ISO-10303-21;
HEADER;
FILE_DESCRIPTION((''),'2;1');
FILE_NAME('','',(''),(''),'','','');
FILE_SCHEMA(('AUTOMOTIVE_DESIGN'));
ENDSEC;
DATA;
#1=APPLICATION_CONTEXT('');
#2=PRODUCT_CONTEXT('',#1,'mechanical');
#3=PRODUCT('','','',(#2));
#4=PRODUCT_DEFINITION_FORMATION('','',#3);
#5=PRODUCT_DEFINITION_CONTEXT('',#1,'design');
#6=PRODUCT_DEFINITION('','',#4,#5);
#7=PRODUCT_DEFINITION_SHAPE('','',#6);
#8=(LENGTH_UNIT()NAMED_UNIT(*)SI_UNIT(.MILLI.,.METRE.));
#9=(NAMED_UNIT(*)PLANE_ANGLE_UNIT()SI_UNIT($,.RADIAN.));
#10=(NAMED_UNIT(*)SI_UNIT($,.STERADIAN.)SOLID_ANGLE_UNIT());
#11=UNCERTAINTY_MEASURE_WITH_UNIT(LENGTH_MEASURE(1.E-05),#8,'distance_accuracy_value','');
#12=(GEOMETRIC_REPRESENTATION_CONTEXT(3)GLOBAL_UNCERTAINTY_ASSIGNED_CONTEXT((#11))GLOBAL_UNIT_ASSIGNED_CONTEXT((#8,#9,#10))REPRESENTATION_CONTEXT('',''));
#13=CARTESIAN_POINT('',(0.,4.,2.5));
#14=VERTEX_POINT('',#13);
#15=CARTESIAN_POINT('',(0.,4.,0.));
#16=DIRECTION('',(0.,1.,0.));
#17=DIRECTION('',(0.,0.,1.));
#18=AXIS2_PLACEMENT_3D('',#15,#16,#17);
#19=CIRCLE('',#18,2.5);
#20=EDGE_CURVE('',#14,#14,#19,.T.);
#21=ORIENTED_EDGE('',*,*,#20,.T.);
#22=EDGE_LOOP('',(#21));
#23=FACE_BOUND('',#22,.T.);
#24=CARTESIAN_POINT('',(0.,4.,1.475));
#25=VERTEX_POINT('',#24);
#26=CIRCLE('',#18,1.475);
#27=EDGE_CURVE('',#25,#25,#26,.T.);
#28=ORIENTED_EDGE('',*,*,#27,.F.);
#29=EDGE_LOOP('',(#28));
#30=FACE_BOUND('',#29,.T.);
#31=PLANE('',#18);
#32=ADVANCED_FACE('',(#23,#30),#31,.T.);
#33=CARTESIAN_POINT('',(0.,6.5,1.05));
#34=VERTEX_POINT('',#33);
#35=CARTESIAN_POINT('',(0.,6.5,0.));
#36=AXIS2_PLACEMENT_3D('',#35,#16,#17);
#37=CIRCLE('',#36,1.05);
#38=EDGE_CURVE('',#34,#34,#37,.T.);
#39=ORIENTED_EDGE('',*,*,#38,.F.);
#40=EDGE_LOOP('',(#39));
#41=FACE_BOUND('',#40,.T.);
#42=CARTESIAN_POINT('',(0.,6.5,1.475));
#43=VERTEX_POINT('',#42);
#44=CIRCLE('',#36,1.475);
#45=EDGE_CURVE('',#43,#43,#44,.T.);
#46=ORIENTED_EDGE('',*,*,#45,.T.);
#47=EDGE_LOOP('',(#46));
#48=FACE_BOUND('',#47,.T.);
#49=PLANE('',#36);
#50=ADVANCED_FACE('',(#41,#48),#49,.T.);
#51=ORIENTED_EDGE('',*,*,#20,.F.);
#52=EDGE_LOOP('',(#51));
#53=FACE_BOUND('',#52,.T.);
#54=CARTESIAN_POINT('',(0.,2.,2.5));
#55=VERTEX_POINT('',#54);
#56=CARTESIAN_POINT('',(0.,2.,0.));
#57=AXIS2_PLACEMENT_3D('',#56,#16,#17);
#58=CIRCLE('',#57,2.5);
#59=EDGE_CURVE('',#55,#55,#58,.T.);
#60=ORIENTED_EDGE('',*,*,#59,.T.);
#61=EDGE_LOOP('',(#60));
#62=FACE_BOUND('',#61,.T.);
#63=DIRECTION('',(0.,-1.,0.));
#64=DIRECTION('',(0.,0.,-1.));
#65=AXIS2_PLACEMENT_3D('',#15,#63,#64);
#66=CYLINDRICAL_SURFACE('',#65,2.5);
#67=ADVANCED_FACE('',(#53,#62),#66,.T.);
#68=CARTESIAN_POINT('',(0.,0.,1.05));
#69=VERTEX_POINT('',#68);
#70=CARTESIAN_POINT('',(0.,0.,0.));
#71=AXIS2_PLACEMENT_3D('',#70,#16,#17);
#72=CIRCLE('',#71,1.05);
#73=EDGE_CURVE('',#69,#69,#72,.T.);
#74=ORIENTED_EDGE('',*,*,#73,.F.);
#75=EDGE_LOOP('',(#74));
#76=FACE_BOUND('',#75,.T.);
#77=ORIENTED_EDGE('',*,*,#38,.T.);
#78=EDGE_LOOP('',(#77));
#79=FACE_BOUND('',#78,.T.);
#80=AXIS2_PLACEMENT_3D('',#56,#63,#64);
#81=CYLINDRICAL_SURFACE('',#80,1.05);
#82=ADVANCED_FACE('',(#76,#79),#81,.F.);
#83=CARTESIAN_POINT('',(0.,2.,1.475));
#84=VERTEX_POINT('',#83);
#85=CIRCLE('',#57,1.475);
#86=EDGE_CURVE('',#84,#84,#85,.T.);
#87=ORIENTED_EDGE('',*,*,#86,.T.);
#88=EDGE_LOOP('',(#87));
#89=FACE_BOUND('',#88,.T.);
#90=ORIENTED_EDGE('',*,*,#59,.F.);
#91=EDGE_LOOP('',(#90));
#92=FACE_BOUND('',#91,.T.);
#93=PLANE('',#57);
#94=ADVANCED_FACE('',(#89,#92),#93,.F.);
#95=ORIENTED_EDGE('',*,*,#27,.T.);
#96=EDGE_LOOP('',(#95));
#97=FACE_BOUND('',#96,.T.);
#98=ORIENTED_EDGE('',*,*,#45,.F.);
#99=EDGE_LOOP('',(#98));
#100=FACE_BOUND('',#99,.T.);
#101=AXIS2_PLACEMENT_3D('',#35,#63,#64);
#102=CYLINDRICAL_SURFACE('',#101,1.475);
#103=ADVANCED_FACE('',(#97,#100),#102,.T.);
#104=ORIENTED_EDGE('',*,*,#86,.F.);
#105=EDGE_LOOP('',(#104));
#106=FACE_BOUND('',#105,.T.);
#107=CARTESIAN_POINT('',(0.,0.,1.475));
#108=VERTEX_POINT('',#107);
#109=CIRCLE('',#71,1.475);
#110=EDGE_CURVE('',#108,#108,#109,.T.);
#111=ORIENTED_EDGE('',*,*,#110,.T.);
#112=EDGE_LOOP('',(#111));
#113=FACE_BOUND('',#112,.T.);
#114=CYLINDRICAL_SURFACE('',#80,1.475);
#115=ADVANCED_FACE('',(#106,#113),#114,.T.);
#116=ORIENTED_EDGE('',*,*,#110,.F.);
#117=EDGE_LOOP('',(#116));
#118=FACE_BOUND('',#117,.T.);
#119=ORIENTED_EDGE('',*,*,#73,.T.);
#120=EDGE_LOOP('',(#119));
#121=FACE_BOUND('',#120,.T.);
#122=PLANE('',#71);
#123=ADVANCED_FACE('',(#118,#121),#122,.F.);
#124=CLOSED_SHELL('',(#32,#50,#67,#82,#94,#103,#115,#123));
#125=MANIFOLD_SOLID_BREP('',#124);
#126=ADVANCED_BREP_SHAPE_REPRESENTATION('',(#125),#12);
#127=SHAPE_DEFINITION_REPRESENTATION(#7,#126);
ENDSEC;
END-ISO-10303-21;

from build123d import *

# Parameters (mm, degrees)
SKETCH1_R           = 1.475
SKETCH1_R_2         = 1.05
BOSS_EXTRUDE1_DEPTH = 2
SKETCH2_R           = 2.5
SKETCH2_R_2         = 1.05
BOSS_EXTRUDE2_DEPTH = 2
SKETCH4_R           = 1.475
SKETCH4_R_2         = 1.05
BOSS_EXTRUDE3_DEPTH = 2.5


with BuildPart() as part:
    # Sketch1 → Boss-Extrude1 (new body)
    with BuildSketch(Plane(origin=(0, 0, 0), x_dir=(1, 0, 0), z_dir=(0, 1, 0))):
        Circle(SKETCH1_R)
        Circle(SKETCH1_R_2, mode=Mode.SUBTRACT)
    extrude(amount=BOSS_EXTRUDE1_DEPTH)

    # Sketch2 → Boss-Extrude2 (add)
    with BuildSketch(Plane(origin=(0, 2, 0), x_dir=(1, 0, 0), z_dir=(0, 1, 0))):
        Circle(SKETCH2_R)
        Circle(SKETCH2_R_2, mode=Mode.SUBTRACT)
    extrude(amount=BOSS_EXTRUDE2_DEPTH)

    # Sketch4 → Boss-Extrude3 (add)
    with BuildSketch(Plane(origin=(0, 4, 0), x_dir=(1, 0, 0), z_dir=(0, 1, 0))):
        Circle(SKETCH4_R)
        Circle(SKETCH4_R_2, mode=Mode.SUBTRACT)
    extrude(amount=BOSS_EXTRUDE3_DEPTH)


solid = part.part
